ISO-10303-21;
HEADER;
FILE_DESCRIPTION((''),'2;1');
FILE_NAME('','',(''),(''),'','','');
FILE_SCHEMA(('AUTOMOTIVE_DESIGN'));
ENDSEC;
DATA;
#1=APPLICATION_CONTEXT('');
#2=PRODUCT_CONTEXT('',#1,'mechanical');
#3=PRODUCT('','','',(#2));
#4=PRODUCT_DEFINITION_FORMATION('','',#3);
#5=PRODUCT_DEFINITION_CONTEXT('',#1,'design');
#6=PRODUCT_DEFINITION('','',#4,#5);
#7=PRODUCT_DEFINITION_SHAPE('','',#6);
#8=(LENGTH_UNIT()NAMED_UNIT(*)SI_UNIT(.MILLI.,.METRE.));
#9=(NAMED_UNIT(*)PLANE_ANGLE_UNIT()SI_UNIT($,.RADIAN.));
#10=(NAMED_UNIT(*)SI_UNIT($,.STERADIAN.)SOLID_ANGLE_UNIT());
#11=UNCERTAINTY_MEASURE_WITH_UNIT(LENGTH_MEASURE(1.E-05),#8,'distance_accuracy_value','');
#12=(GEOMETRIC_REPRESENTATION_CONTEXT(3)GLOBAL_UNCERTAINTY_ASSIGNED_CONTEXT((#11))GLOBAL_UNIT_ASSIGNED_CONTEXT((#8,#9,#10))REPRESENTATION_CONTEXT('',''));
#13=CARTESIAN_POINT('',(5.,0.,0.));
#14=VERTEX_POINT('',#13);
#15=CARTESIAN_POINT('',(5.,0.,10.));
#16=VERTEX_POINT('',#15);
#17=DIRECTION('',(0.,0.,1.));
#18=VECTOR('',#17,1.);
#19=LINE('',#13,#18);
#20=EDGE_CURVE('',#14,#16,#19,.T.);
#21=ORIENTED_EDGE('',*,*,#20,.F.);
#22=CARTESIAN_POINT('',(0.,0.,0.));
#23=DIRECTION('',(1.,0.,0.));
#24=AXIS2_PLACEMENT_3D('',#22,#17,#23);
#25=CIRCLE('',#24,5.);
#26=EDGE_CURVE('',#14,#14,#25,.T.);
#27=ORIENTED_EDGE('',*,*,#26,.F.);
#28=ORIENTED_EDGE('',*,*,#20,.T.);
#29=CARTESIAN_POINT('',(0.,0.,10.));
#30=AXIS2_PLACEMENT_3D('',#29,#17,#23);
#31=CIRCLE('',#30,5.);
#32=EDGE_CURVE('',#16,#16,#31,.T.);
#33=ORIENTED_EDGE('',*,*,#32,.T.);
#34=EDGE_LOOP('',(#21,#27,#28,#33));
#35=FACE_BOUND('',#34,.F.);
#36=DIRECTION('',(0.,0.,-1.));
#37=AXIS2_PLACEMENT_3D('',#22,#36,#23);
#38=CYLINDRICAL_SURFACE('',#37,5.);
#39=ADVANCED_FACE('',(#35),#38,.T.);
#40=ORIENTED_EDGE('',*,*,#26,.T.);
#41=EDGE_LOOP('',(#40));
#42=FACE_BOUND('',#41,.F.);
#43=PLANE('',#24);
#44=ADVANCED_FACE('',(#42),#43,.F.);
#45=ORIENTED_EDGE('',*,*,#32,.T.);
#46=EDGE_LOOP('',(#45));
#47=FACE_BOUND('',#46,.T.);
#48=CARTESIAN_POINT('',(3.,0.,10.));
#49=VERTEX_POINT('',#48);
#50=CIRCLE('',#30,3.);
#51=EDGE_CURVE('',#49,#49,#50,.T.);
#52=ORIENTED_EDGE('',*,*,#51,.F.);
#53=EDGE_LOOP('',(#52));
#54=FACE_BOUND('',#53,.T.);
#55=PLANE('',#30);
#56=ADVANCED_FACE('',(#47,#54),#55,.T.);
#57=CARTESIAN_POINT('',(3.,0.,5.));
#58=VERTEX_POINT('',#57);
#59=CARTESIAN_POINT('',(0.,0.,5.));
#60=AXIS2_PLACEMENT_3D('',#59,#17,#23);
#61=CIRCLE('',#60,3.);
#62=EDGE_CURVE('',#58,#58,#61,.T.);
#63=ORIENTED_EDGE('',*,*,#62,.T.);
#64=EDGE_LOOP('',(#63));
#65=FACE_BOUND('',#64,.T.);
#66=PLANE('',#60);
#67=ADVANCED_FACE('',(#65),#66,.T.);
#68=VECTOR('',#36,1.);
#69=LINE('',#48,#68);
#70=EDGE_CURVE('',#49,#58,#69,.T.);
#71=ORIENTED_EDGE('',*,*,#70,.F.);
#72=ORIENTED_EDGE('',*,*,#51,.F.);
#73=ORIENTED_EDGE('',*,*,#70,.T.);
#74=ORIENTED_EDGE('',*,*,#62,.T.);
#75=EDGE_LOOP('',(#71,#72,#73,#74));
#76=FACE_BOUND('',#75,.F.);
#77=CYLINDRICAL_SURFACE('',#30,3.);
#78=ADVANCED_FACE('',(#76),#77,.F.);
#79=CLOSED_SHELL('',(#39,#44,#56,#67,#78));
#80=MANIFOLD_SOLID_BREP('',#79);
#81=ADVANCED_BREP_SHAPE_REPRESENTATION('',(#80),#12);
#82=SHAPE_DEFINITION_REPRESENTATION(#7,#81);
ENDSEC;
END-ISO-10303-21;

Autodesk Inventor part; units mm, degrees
ref_plane "YZ Plane" through (0, 0, 0) normal (1, 0, 0) x (0, 1, 0)
ref_plane "XZ Plane" through (0, 0, 0) normal (0, 1, 0) x (-1, 0, 0)
ref_plane "XY Plane" through (0, 0, 0) normal (0, 0, 1) x (1, 0, 0)
sketch "Sketch1" plane through (0, 0, 0) normal (0, 0, 1) x (1, 0, 0)
  circle A0 centre (0, 0) radius 5
  dimension "d0" = 10
extrude "Extrusion1" add sketch "Sketch1" along normal blind 10
sketch "Sketch2" plane through (0, 0, 10) normal (0, 0, 1) x (1, 0, 0)
  circle A0 centre (0, 0) radius 3
  dimension "d3" = 6
extrude "Extrusion2" cut sketch "Sketch2" against normal blind 5
properties part number "kol_topuzu"
